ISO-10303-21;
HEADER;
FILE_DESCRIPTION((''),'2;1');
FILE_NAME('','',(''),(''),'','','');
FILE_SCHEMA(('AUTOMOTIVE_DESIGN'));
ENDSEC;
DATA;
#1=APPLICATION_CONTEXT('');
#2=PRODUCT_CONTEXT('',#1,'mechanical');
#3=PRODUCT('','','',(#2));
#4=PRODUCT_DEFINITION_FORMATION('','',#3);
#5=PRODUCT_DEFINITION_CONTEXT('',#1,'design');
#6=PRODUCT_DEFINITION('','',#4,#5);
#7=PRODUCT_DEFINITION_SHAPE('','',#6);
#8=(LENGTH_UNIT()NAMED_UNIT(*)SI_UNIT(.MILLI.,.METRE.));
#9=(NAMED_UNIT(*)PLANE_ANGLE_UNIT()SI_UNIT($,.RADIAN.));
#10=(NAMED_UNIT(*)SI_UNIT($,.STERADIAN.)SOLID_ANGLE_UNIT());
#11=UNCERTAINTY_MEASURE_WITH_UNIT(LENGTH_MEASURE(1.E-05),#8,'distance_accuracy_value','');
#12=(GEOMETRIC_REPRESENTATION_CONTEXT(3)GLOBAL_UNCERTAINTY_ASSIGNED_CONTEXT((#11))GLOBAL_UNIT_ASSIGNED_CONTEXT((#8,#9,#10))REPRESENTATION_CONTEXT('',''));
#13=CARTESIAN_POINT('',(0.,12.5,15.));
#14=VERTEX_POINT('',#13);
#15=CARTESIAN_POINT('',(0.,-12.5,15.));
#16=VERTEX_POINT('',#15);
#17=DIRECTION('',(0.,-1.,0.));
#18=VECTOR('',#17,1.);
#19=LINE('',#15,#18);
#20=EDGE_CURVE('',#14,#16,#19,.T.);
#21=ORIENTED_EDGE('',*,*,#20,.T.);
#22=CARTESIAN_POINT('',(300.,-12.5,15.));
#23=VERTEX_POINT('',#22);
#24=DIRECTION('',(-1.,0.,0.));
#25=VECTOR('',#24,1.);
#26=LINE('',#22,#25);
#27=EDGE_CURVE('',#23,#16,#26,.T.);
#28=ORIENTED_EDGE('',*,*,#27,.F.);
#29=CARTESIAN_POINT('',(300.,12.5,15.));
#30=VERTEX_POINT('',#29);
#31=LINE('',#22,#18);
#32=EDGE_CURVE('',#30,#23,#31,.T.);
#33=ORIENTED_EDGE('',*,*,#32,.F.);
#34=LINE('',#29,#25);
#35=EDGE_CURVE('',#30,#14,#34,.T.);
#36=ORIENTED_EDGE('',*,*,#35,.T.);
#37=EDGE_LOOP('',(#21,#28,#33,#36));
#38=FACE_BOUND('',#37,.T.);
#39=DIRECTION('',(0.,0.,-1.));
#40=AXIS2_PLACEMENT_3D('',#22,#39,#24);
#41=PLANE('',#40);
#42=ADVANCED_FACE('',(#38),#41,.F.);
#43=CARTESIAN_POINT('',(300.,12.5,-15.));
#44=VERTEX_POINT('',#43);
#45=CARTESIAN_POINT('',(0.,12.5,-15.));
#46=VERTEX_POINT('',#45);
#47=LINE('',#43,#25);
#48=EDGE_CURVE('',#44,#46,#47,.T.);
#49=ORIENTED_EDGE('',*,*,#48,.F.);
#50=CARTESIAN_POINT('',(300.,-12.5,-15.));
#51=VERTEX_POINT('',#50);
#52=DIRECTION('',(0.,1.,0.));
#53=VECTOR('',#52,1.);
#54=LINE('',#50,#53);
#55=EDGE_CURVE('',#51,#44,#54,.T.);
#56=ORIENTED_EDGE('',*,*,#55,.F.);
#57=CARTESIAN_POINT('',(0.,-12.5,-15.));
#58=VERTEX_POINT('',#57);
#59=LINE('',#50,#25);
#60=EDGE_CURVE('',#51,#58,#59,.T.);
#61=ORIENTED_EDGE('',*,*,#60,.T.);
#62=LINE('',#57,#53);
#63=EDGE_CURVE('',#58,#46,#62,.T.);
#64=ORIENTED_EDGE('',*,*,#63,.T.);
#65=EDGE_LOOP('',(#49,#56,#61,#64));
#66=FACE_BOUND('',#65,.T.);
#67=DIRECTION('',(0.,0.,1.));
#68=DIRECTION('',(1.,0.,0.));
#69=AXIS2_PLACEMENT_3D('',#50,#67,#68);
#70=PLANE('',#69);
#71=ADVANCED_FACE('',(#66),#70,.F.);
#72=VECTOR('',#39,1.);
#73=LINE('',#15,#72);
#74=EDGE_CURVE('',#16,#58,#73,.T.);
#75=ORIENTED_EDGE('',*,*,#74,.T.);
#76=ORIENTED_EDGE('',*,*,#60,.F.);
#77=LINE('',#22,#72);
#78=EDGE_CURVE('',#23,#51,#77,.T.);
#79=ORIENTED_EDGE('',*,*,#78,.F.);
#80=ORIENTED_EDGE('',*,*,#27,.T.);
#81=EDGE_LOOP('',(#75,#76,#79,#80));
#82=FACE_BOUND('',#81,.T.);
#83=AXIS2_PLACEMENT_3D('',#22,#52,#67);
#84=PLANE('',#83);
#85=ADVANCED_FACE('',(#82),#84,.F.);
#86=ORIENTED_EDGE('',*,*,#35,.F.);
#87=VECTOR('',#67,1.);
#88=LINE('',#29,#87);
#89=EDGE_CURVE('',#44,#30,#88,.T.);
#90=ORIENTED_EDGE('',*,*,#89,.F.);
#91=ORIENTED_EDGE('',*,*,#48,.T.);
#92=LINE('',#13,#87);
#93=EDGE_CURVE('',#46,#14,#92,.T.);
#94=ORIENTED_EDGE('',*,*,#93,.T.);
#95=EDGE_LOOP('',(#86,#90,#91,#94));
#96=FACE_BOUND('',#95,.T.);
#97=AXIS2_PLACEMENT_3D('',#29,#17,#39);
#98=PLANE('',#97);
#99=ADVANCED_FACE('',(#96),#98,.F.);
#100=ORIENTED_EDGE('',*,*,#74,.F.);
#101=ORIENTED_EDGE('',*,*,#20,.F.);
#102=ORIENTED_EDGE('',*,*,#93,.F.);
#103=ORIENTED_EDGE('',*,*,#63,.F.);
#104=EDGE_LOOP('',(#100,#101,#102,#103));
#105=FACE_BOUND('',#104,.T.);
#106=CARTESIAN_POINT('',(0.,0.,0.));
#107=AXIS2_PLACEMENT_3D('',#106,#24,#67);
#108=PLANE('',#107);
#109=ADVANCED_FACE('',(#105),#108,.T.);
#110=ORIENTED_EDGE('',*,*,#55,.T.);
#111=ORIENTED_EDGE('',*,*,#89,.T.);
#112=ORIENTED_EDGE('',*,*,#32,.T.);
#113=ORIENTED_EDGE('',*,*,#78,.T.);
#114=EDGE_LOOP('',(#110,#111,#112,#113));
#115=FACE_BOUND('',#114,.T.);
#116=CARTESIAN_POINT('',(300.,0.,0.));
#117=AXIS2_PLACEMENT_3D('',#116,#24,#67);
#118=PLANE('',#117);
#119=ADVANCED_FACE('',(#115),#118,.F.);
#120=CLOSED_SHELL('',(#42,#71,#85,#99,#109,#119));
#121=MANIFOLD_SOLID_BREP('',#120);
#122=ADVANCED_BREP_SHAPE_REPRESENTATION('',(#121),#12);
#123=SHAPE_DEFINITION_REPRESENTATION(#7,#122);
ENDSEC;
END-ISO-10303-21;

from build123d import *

# Parameters (mm, degrees)
SKETCH_2_W      = 30
SKETCH_2_H      = 25
EXTRUDE_1_DEPTH = 300


with BuildPart() as part:
    # Эскиз2 → Бобышка-Вытянуть1 (new body)
    with BuildSketch(Plane(origin=(0, 0, 0), x_dir=(0, 0, -1), z_dir=(1, 0, 0))):
        Rectangle(SKETCH_2_W, SKETCH_2_H)
    extrude(amount=EXTRUDE_1_DEPTH)


solid = part.part
